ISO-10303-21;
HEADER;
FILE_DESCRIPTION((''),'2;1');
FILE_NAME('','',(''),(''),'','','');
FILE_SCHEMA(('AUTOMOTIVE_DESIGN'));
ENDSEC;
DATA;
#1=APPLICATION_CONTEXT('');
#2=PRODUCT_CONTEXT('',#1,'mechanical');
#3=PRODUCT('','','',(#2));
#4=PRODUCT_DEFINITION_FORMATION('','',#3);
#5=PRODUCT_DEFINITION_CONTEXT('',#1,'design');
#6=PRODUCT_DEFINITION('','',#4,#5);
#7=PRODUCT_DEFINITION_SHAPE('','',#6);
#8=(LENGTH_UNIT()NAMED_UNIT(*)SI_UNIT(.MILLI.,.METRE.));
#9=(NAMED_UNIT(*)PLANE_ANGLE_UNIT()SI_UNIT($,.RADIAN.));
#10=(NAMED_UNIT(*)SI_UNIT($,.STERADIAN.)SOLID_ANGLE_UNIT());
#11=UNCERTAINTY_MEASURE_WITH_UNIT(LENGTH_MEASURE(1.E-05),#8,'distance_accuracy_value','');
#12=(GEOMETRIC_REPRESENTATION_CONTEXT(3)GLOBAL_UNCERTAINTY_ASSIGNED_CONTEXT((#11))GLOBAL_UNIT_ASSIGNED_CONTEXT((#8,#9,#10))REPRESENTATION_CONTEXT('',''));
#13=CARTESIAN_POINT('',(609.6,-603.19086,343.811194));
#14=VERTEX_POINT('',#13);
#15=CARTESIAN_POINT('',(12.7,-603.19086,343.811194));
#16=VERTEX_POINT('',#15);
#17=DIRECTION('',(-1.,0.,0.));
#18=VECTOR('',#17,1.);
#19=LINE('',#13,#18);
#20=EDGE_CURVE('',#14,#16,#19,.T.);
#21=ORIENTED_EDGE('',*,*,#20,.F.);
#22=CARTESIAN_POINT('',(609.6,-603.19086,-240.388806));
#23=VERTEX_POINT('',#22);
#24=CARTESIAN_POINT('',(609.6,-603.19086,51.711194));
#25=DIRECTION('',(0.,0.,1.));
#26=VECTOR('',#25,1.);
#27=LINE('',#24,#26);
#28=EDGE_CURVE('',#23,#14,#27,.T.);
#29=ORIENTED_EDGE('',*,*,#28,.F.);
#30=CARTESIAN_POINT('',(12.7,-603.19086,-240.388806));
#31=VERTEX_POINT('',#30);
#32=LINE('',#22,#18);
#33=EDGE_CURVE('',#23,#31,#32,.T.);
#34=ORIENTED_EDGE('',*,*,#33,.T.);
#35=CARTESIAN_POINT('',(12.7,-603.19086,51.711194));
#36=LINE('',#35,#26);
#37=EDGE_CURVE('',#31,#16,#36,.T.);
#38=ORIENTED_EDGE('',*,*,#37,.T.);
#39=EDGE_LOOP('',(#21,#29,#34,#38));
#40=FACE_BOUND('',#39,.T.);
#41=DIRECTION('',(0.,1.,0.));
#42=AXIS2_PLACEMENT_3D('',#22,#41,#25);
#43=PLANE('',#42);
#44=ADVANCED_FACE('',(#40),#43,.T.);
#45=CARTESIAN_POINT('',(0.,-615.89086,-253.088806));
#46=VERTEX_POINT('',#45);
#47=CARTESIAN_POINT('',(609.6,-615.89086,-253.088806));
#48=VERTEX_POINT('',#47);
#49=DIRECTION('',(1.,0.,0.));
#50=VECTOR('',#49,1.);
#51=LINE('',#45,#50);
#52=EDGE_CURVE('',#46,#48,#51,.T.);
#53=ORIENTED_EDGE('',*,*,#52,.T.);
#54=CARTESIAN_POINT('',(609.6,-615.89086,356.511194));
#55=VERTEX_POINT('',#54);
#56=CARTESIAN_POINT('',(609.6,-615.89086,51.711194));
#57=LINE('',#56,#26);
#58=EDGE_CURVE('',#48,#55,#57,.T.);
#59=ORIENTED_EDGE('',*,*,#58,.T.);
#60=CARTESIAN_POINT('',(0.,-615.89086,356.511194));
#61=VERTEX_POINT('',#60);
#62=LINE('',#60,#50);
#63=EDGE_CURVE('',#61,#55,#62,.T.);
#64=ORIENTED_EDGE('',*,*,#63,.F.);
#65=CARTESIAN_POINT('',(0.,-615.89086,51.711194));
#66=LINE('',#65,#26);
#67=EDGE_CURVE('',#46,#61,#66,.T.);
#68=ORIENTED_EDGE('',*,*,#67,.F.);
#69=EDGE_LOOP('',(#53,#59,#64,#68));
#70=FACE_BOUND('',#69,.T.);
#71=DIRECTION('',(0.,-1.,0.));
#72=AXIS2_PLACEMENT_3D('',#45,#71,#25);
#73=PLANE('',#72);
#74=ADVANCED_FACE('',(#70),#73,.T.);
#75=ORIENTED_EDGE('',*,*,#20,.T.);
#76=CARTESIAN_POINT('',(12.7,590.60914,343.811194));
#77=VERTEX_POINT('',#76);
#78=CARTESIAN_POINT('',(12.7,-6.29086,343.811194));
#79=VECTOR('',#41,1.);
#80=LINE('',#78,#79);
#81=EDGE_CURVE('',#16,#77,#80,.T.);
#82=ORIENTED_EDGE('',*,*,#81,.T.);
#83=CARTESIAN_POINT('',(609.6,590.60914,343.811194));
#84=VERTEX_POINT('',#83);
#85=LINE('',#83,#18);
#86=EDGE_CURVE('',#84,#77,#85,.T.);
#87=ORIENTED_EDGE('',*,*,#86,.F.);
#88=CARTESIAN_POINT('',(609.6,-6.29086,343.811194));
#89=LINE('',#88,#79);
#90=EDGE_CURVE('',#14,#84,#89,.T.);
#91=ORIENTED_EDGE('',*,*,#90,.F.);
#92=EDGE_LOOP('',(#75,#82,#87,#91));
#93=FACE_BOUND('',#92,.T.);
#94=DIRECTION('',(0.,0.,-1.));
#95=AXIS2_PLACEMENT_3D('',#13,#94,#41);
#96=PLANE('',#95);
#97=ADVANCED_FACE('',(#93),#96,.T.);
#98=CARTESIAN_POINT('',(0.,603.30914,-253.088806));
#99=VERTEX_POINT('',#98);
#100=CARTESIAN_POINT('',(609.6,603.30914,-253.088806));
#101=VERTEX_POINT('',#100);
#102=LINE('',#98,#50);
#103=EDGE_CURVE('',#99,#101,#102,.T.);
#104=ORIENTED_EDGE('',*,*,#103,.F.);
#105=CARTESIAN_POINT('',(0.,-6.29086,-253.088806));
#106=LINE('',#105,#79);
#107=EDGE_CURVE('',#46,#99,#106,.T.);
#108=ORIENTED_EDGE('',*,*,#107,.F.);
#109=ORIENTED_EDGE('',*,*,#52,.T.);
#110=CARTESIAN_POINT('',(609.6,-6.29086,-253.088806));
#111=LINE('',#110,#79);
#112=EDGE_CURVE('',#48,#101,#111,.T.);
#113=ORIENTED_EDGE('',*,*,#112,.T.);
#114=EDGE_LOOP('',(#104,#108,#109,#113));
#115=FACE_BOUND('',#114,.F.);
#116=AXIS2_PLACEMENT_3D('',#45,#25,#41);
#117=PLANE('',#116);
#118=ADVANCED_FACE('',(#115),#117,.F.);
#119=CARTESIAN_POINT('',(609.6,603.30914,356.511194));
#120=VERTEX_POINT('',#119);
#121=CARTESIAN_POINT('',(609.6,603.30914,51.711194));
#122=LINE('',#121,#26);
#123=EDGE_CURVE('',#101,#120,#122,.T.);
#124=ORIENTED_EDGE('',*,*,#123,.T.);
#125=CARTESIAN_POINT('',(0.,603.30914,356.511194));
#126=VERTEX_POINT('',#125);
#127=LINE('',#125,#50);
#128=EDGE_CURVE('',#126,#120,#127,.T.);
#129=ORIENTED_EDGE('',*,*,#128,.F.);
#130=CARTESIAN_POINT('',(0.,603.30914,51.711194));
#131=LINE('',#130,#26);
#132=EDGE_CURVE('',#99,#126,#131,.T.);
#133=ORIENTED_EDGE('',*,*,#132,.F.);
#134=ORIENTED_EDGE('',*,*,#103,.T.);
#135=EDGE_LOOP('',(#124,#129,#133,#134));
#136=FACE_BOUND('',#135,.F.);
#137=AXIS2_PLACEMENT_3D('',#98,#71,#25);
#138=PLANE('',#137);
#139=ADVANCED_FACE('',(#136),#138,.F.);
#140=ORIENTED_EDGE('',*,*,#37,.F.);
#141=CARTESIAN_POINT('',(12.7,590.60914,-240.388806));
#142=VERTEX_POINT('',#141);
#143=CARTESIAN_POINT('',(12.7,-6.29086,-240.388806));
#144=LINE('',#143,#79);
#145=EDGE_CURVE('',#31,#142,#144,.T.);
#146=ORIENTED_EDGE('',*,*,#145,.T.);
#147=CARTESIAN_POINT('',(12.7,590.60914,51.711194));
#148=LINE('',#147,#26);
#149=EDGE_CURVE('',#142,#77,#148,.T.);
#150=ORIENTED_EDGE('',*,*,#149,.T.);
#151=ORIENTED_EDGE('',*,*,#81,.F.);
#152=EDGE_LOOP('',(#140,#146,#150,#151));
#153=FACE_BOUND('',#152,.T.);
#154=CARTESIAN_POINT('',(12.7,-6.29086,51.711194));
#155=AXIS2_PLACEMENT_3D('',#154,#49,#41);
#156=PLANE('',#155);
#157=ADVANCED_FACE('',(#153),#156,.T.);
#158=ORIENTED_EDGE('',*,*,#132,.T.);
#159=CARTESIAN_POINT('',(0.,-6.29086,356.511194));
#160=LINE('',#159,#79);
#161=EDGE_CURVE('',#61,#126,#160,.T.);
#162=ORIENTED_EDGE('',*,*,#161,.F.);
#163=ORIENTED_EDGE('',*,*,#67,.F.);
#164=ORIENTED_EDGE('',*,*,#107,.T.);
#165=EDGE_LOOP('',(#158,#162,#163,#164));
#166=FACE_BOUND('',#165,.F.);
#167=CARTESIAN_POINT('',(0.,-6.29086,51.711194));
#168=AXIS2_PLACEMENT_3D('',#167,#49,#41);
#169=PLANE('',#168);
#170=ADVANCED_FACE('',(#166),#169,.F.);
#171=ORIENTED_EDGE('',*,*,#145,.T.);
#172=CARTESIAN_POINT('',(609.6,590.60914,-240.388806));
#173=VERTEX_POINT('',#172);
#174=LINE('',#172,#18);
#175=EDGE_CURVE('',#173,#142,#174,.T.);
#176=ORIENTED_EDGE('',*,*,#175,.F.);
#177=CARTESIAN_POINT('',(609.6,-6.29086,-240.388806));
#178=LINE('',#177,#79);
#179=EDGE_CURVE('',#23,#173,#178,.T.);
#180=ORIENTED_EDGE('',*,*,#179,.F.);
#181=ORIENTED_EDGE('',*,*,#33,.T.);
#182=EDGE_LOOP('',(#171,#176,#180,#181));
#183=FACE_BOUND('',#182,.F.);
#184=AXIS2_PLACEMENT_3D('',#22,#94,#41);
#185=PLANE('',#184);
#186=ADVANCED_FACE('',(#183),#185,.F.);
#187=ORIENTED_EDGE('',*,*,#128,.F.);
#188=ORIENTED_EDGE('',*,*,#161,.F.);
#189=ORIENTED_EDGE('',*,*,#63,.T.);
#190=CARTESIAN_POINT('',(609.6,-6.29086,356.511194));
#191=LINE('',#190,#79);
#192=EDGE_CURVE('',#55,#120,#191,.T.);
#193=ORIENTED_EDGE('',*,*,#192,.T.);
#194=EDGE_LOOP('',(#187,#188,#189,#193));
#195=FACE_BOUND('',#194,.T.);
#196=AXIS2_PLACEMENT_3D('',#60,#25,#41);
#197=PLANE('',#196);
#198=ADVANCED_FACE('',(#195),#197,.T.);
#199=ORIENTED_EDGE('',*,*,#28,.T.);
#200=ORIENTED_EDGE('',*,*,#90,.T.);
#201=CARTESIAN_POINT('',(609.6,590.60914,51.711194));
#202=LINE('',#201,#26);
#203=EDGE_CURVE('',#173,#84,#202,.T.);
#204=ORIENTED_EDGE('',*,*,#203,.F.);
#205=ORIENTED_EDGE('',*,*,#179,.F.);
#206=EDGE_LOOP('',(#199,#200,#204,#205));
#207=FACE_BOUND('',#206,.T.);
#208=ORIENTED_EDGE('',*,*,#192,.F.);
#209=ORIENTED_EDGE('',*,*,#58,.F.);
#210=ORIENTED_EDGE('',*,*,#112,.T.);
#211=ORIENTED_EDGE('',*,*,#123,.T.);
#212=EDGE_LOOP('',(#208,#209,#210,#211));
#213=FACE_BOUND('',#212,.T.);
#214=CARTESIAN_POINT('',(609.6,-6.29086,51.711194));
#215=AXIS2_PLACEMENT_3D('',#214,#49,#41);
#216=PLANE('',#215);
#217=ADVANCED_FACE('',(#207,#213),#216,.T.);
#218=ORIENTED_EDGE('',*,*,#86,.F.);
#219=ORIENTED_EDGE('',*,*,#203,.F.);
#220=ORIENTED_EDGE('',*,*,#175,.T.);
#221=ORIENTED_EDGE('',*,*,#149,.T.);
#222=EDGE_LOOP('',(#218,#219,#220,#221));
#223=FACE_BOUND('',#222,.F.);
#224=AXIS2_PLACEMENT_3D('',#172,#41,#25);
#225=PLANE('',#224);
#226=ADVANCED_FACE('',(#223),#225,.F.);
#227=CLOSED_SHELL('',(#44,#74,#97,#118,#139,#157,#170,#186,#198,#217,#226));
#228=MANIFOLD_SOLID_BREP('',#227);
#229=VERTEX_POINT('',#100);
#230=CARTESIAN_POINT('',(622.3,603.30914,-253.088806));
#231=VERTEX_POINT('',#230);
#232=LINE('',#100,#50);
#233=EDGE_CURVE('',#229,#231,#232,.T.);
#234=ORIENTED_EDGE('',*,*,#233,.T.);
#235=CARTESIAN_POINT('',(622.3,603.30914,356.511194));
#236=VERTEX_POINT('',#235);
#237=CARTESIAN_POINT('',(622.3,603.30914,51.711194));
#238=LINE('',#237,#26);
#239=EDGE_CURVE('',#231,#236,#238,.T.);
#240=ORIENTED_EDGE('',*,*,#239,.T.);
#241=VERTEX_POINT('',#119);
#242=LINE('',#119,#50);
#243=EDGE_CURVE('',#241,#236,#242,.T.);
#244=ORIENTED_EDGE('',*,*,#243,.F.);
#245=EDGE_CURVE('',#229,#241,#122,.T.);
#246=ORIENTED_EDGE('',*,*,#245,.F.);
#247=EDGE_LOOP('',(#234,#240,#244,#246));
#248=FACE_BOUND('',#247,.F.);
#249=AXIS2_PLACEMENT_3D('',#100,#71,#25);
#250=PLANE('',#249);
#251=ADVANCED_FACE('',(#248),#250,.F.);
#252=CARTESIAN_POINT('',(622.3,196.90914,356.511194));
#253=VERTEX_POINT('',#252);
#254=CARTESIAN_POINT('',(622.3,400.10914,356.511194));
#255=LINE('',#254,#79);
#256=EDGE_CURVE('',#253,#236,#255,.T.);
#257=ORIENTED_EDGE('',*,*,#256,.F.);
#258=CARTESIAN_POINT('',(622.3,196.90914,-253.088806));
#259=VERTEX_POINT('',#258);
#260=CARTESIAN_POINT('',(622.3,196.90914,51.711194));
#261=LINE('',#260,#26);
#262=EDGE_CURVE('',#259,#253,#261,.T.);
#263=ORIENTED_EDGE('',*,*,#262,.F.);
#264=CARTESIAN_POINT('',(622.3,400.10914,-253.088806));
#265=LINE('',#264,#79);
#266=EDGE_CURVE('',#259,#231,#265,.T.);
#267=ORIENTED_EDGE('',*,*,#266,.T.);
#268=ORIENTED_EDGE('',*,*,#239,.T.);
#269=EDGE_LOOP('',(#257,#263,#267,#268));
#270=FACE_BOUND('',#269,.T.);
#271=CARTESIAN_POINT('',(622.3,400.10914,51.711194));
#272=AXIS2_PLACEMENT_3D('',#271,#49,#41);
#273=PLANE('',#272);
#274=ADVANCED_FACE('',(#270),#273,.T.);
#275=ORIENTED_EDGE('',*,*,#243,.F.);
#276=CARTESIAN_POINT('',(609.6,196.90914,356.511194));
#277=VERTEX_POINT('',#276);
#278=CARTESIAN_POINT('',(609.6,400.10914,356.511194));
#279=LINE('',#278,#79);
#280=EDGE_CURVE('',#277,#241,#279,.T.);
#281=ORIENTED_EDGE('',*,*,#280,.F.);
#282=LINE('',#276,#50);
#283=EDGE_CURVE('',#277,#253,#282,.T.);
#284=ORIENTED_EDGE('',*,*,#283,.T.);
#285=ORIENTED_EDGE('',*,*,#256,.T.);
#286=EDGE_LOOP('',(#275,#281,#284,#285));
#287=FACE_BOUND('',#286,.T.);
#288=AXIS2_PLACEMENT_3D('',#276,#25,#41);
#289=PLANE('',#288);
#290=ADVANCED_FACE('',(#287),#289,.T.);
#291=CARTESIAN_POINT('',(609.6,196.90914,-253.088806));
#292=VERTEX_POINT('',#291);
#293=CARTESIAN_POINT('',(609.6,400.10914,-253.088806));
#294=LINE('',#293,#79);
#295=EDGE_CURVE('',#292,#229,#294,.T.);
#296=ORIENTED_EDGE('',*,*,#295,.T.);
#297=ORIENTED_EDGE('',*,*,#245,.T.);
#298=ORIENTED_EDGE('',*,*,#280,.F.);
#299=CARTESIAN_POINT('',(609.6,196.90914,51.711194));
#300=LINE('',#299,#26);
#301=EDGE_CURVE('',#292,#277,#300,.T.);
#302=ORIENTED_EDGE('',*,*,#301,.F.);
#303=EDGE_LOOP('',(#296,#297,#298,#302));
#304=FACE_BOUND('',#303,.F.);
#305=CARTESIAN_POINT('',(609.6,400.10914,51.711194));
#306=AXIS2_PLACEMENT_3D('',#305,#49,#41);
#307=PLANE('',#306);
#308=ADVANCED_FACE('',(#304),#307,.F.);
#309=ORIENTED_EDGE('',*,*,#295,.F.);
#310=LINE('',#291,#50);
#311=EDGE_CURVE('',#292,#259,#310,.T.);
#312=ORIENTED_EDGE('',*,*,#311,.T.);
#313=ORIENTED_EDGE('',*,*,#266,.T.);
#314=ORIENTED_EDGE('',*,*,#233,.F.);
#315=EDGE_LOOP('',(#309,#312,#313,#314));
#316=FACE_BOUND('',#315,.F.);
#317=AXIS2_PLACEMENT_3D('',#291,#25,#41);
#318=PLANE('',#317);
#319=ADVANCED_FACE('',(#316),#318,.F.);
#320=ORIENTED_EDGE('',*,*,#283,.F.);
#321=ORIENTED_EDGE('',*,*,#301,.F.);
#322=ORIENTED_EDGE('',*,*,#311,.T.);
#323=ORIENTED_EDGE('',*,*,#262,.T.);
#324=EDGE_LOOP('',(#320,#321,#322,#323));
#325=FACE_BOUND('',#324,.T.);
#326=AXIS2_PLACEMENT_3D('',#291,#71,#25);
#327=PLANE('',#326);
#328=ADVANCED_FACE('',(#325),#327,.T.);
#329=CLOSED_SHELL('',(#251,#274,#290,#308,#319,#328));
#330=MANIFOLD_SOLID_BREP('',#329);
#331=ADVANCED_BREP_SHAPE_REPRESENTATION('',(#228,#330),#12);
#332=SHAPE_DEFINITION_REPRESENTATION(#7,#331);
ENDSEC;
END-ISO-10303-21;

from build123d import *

# Parameters (mm, degrees)
F0_W     = 1219.2
F0_H     = 609.6
F1_DEPTH = 609.6
F2_W     = 1193.8
F2_H     = 584.2
F3_DEPTH = 596.9
F4_W     = 406.4
F4_H     = 609.6
F5_DEPTH = 12.7


with BuildPart() as f1:
    # F0 (on Right) → F1 (new body)
    with BuildSketch(Plane.YZ):
        with Locations((-6.29086, 51.711194)):
            Rectangle(F0_W, F0_H)
    extrude(amount=F1_DEPTH)

    # F2 (on face) → F3 (cut)
    with BuildSketch(Plane.YZ.offset(609.6)):
        with Locations((-6.29086, 51.711194)):
            Rectangle(F2_W, F2_H)
    extrude(amount=-F3_DEPTH, mode=Mode.SUBTRACT)


with BuildPart() as f5:
    # F4 (on face) → F5 (new body)
    with BuildSketch(Plane.YZ.offset(609.6)):
        with Locations((400.10914, 51.711194)):
            Rectangle(F4_W, F4_H)
    extrude(amount=F5_DEPTH)


solid = Compound([f1.part, f5.part])
